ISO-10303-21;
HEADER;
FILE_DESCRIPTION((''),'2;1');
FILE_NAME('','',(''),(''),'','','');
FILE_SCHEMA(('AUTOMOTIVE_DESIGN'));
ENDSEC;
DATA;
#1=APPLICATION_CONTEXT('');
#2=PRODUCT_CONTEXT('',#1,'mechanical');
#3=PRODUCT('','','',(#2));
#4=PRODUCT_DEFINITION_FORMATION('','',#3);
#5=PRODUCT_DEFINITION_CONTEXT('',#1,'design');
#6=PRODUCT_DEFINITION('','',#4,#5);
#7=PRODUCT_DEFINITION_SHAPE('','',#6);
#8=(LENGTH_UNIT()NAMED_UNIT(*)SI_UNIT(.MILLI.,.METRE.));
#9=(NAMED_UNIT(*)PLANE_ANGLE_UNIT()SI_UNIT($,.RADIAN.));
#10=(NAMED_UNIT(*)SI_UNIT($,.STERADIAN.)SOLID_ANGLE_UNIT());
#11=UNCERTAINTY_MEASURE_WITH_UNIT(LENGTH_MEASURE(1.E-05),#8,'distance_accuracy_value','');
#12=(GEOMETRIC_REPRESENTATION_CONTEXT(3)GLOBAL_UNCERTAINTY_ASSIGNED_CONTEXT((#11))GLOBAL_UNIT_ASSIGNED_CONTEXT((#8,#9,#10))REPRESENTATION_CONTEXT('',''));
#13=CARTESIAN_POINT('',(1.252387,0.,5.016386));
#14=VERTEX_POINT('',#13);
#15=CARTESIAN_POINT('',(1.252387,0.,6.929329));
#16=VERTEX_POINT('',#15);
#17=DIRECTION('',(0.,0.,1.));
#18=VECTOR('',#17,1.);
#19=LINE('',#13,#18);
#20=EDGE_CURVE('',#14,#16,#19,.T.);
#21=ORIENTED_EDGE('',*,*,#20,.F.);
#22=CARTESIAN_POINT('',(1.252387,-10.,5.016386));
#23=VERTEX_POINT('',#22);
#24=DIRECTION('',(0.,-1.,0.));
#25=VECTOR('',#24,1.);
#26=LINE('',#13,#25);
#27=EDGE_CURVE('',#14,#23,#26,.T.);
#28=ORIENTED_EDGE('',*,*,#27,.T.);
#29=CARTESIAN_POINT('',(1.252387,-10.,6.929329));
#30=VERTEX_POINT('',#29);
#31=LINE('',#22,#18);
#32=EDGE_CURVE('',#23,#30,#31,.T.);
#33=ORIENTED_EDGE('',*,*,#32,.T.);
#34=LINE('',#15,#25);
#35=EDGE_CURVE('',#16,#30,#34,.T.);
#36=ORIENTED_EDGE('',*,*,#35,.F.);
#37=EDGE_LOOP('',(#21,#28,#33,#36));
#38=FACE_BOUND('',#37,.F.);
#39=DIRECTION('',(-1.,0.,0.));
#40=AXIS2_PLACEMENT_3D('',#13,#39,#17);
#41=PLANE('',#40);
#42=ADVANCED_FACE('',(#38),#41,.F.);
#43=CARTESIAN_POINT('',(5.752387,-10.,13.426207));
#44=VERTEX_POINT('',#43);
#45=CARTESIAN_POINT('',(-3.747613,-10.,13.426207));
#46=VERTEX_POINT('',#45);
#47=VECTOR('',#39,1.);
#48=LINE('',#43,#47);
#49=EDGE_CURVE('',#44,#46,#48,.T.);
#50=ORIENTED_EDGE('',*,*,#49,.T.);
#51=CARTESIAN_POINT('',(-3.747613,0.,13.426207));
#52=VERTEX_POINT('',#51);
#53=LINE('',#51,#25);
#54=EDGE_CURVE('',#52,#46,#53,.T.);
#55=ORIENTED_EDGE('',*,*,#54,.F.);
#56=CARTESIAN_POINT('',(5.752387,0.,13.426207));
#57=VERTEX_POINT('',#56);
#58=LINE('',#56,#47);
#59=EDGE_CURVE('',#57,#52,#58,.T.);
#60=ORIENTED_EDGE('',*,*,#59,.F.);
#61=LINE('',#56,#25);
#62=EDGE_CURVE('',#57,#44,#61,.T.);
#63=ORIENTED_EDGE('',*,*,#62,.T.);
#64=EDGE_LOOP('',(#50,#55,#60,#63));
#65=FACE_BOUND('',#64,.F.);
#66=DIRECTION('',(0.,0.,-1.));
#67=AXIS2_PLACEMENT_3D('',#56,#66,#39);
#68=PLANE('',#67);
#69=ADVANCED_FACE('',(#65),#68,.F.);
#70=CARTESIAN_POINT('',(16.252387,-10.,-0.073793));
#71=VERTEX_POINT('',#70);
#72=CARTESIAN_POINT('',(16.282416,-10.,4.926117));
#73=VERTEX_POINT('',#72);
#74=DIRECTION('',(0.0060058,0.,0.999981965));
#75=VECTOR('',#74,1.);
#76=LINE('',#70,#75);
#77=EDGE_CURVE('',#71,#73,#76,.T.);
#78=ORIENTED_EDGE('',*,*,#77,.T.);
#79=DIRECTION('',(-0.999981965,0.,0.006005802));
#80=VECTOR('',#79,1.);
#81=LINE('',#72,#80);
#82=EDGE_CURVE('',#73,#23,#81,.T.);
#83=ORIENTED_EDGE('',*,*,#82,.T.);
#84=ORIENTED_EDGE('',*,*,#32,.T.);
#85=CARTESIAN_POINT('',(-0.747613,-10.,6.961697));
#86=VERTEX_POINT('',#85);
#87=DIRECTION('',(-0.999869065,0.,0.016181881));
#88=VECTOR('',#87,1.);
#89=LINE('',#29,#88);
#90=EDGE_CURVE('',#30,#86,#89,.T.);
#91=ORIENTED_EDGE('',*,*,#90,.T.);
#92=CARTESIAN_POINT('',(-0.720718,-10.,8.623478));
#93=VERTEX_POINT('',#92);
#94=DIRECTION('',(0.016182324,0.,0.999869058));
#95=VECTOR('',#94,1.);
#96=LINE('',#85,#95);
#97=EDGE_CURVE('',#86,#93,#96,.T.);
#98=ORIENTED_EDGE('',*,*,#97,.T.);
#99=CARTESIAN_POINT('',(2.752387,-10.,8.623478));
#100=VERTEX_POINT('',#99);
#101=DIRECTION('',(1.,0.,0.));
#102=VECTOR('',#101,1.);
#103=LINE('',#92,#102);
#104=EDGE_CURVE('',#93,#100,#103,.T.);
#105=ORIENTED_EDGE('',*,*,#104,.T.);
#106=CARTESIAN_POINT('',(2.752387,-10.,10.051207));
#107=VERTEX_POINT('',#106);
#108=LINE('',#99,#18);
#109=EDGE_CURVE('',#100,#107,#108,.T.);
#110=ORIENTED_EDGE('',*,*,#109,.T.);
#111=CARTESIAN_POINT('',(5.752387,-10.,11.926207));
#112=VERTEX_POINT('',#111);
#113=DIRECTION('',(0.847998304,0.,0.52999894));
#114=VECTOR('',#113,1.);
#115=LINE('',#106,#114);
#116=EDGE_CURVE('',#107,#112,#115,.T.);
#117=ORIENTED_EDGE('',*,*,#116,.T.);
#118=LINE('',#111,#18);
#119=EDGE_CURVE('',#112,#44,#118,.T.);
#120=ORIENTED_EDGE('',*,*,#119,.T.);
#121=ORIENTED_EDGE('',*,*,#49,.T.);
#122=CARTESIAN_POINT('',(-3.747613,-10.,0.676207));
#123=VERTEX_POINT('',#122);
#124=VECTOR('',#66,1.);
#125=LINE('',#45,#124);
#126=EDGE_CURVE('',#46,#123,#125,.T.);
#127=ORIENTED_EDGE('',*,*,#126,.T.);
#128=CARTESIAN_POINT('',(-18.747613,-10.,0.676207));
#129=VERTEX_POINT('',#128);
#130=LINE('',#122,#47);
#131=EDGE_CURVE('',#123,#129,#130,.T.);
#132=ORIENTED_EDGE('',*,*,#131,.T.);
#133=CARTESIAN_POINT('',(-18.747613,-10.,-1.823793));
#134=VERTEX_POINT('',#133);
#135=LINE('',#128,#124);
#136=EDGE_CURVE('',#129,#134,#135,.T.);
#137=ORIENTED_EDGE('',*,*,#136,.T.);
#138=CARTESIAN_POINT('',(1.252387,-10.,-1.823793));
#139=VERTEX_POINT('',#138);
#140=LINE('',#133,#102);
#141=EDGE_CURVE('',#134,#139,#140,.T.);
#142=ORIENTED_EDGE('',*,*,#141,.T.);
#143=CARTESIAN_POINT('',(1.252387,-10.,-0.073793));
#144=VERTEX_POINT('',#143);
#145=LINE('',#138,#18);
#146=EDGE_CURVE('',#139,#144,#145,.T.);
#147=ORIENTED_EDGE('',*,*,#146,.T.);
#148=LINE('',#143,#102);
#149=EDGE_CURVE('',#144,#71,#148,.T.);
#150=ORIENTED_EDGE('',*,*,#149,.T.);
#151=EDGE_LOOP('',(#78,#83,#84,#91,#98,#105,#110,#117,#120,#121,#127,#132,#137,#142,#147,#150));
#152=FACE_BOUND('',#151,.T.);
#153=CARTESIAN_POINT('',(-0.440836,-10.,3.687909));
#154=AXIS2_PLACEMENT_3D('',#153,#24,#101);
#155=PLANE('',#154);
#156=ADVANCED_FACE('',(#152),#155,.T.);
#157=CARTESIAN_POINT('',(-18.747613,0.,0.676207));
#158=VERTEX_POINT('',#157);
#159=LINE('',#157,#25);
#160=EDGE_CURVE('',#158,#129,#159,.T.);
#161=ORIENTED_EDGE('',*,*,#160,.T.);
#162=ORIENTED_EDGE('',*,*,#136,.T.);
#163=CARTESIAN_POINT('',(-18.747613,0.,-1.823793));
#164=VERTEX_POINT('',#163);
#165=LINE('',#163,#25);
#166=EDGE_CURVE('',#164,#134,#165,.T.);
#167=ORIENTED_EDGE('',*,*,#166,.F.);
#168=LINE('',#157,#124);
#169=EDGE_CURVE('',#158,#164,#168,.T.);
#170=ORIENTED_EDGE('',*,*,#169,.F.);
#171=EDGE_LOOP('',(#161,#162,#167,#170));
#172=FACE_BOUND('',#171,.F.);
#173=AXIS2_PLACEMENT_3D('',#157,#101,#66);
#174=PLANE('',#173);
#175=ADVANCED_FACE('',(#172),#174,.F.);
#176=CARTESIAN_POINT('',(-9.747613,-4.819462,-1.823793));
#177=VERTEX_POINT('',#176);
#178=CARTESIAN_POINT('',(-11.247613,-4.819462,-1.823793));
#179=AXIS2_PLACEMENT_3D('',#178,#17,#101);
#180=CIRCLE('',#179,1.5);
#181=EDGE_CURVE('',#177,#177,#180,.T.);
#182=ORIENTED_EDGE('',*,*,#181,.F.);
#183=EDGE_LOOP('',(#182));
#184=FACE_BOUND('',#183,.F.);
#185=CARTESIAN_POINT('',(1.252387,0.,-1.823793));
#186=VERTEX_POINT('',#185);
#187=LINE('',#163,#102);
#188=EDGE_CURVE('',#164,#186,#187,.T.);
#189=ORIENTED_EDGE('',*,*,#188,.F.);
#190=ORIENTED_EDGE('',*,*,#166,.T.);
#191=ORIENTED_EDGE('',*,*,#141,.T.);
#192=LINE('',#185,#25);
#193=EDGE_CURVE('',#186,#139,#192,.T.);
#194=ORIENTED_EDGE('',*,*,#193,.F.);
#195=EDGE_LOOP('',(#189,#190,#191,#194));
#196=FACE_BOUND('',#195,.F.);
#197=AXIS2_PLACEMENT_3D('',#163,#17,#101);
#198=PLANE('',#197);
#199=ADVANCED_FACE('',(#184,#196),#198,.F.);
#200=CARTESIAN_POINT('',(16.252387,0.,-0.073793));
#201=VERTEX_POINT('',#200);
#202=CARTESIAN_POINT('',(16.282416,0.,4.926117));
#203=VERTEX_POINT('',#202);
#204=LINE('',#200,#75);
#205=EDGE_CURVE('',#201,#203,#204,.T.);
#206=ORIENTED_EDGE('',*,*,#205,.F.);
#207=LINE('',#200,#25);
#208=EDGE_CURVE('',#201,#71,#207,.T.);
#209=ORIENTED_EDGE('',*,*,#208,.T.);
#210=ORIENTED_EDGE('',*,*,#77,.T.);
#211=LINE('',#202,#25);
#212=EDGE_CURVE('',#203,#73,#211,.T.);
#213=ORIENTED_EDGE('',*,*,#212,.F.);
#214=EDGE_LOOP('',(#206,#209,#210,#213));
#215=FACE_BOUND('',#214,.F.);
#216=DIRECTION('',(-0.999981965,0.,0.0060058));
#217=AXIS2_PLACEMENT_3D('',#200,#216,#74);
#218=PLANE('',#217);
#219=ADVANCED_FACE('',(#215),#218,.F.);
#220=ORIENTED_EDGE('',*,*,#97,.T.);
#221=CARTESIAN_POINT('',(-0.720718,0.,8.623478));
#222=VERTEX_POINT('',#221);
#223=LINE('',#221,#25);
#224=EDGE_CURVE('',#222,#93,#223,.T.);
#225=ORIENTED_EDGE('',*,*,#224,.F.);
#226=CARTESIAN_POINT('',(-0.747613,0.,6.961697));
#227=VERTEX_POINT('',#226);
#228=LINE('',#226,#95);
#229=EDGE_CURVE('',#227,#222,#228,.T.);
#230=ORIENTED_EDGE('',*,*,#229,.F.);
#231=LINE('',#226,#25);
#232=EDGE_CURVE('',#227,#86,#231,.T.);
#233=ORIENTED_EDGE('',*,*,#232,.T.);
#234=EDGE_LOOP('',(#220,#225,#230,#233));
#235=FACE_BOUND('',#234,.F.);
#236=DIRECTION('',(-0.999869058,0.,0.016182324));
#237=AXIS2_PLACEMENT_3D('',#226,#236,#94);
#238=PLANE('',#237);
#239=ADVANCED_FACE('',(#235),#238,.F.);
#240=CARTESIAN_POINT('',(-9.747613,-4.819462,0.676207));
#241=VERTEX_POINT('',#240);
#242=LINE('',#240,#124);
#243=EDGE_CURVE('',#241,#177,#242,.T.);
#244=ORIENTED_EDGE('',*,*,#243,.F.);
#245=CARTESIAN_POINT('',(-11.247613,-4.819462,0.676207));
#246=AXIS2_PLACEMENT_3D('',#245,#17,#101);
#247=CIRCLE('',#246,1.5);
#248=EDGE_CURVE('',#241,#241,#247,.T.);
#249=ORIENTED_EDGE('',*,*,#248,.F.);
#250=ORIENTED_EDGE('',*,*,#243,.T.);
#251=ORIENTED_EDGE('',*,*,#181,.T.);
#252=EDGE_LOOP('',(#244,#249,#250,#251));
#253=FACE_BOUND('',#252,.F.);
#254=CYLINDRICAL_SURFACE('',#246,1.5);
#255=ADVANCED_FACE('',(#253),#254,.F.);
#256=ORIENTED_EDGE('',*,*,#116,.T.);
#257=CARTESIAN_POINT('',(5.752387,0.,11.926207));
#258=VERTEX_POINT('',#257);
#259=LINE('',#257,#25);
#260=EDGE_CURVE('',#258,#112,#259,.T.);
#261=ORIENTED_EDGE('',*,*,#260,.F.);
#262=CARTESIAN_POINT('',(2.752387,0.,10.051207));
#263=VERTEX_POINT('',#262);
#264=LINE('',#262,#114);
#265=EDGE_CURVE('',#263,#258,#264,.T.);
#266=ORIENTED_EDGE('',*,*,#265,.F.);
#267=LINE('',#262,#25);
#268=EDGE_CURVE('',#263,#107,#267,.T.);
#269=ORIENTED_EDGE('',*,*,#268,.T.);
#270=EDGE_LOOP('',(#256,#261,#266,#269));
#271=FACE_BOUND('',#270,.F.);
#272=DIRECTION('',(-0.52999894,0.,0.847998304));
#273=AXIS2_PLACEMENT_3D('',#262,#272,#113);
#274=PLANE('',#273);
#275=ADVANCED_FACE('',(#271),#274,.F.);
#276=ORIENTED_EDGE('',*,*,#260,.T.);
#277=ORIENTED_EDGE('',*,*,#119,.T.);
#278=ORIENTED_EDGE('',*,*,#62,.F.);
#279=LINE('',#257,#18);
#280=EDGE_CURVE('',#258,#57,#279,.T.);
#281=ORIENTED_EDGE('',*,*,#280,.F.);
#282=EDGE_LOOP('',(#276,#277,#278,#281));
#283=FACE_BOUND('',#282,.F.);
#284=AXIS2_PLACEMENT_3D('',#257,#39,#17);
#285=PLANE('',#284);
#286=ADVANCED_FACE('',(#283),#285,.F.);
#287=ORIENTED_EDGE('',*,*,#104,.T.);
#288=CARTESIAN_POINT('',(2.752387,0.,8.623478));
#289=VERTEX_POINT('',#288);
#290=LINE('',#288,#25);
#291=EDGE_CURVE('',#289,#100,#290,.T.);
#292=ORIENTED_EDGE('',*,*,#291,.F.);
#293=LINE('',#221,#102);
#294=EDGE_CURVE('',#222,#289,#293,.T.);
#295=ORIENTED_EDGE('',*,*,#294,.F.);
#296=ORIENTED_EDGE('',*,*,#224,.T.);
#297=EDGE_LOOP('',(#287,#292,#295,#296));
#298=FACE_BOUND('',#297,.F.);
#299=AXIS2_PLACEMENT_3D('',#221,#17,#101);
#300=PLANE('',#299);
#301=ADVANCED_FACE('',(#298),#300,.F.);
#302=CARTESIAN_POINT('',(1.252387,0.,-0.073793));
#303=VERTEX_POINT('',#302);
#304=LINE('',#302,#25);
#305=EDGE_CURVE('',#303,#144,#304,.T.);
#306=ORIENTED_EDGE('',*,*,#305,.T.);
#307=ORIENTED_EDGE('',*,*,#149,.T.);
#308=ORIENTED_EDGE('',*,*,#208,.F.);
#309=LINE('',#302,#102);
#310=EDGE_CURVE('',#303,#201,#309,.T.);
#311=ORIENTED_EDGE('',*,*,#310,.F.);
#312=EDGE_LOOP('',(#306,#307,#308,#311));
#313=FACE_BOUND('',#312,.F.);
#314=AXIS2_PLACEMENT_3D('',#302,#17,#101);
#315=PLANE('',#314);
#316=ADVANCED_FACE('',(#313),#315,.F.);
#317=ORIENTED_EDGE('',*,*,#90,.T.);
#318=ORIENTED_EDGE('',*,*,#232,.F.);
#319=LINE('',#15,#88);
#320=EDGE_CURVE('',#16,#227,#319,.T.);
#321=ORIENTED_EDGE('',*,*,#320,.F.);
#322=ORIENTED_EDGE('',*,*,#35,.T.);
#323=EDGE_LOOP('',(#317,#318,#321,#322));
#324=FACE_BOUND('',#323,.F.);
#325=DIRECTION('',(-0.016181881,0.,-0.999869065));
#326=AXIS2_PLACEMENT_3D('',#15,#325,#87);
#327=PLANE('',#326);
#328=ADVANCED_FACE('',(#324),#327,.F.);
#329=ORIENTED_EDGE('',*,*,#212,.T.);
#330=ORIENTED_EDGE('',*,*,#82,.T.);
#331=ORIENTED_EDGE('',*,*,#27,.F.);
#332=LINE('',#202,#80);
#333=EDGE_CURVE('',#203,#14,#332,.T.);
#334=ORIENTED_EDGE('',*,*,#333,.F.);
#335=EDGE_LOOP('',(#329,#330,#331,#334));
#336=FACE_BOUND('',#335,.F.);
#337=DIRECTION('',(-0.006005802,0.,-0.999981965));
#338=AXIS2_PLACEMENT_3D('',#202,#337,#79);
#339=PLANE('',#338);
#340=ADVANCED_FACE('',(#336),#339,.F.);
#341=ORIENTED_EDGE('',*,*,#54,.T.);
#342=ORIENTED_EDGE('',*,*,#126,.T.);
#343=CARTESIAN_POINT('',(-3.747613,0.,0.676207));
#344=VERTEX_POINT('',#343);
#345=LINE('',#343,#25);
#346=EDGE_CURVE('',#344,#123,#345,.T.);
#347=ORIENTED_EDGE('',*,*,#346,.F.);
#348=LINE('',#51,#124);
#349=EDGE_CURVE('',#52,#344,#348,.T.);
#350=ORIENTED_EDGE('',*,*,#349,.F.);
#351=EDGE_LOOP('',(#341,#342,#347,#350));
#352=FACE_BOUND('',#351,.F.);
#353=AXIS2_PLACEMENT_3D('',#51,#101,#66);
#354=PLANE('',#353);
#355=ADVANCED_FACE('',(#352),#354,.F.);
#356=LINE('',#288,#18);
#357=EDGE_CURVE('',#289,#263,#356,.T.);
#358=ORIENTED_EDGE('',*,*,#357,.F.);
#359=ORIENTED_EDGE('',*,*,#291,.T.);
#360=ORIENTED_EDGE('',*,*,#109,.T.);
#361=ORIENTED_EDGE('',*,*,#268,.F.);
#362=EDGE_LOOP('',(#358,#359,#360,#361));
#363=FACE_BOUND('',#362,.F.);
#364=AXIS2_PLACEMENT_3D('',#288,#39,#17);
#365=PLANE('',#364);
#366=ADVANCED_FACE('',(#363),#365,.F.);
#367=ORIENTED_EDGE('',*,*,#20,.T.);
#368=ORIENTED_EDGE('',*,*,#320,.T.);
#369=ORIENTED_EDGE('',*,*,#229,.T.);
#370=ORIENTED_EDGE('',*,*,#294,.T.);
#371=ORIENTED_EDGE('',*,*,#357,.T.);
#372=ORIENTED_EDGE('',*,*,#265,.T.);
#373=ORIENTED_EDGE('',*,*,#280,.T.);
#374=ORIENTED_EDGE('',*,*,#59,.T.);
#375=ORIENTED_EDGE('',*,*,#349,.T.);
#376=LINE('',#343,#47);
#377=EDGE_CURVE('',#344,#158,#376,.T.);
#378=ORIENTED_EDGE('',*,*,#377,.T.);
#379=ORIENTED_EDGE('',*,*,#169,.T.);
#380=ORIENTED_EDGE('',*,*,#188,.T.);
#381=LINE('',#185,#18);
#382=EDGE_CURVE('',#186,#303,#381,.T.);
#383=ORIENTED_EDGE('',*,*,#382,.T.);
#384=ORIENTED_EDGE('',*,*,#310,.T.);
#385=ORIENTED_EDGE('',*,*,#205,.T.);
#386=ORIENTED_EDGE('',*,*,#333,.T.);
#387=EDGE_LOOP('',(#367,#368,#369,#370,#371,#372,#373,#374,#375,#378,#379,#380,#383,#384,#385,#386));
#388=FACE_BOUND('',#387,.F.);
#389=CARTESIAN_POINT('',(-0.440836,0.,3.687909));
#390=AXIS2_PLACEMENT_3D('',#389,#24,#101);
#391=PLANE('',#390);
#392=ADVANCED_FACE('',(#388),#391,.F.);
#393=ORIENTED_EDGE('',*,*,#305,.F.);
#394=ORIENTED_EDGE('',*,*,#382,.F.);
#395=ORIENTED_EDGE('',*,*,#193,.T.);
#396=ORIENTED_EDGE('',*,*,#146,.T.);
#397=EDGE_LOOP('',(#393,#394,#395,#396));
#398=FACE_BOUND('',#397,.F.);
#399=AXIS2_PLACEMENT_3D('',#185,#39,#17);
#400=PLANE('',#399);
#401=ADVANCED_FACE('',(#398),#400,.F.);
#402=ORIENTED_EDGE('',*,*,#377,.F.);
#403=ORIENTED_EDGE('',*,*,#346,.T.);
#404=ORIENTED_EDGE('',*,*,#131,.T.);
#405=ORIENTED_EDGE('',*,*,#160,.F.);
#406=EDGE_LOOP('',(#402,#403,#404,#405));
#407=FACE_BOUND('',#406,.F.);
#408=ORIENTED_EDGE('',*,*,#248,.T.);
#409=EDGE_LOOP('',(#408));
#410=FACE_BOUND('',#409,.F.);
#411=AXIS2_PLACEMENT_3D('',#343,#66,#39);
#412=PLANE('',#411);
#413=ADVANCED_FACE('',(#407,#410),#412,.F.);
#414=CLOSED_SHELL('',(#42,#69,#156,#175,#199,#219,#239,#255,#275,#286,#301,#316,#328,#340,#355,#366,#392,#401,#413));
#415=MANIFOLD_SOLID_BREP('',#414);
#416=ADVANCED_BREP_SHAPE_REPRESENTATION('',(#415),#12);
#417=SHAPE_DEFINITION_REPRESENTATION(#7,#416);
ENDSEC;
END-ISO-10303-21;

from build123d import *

# Parameters (mm, degrees)
F1_DEPTH = 10
F2_R     = 1.5
F3_DEPTH = 25


with BuildPart() as f1:
    # F0 (on Front) → F1 (new body)
    with BuildSketch(Plane.XZ):
        Polygon((1.252387, -0.073793), (16.252387, -0.073793), (16.282416, 4.926117), (1.252387, 5.016386), (1.252387, 6.929329), (-0.747613, 6.961697), (-0.720718, 8.623478), (2.752387, 8.623478), (2.752387, 10.051207), (5.752387, 11.926207), (5.752387, 13.426207), (-3.747613, 13.426207), (-3.747613, 0.676207), (-18.747613, 0.676207), (-18.747613, -1.823793), (1.252387, -1.823793), align=None)
    extrude(amount=F1_DEPTH)

    # F2 (on face) → F3 (cut)
    with BuildSketch(Plane.XY.offset(0.676207)):
        with Locations((-11.247613, -4.819462)):
            Circle(F2_R)
    extrude(amount=-F3_DEPTH, mode=Mode.SUBTRACT)


solid = f1.part
